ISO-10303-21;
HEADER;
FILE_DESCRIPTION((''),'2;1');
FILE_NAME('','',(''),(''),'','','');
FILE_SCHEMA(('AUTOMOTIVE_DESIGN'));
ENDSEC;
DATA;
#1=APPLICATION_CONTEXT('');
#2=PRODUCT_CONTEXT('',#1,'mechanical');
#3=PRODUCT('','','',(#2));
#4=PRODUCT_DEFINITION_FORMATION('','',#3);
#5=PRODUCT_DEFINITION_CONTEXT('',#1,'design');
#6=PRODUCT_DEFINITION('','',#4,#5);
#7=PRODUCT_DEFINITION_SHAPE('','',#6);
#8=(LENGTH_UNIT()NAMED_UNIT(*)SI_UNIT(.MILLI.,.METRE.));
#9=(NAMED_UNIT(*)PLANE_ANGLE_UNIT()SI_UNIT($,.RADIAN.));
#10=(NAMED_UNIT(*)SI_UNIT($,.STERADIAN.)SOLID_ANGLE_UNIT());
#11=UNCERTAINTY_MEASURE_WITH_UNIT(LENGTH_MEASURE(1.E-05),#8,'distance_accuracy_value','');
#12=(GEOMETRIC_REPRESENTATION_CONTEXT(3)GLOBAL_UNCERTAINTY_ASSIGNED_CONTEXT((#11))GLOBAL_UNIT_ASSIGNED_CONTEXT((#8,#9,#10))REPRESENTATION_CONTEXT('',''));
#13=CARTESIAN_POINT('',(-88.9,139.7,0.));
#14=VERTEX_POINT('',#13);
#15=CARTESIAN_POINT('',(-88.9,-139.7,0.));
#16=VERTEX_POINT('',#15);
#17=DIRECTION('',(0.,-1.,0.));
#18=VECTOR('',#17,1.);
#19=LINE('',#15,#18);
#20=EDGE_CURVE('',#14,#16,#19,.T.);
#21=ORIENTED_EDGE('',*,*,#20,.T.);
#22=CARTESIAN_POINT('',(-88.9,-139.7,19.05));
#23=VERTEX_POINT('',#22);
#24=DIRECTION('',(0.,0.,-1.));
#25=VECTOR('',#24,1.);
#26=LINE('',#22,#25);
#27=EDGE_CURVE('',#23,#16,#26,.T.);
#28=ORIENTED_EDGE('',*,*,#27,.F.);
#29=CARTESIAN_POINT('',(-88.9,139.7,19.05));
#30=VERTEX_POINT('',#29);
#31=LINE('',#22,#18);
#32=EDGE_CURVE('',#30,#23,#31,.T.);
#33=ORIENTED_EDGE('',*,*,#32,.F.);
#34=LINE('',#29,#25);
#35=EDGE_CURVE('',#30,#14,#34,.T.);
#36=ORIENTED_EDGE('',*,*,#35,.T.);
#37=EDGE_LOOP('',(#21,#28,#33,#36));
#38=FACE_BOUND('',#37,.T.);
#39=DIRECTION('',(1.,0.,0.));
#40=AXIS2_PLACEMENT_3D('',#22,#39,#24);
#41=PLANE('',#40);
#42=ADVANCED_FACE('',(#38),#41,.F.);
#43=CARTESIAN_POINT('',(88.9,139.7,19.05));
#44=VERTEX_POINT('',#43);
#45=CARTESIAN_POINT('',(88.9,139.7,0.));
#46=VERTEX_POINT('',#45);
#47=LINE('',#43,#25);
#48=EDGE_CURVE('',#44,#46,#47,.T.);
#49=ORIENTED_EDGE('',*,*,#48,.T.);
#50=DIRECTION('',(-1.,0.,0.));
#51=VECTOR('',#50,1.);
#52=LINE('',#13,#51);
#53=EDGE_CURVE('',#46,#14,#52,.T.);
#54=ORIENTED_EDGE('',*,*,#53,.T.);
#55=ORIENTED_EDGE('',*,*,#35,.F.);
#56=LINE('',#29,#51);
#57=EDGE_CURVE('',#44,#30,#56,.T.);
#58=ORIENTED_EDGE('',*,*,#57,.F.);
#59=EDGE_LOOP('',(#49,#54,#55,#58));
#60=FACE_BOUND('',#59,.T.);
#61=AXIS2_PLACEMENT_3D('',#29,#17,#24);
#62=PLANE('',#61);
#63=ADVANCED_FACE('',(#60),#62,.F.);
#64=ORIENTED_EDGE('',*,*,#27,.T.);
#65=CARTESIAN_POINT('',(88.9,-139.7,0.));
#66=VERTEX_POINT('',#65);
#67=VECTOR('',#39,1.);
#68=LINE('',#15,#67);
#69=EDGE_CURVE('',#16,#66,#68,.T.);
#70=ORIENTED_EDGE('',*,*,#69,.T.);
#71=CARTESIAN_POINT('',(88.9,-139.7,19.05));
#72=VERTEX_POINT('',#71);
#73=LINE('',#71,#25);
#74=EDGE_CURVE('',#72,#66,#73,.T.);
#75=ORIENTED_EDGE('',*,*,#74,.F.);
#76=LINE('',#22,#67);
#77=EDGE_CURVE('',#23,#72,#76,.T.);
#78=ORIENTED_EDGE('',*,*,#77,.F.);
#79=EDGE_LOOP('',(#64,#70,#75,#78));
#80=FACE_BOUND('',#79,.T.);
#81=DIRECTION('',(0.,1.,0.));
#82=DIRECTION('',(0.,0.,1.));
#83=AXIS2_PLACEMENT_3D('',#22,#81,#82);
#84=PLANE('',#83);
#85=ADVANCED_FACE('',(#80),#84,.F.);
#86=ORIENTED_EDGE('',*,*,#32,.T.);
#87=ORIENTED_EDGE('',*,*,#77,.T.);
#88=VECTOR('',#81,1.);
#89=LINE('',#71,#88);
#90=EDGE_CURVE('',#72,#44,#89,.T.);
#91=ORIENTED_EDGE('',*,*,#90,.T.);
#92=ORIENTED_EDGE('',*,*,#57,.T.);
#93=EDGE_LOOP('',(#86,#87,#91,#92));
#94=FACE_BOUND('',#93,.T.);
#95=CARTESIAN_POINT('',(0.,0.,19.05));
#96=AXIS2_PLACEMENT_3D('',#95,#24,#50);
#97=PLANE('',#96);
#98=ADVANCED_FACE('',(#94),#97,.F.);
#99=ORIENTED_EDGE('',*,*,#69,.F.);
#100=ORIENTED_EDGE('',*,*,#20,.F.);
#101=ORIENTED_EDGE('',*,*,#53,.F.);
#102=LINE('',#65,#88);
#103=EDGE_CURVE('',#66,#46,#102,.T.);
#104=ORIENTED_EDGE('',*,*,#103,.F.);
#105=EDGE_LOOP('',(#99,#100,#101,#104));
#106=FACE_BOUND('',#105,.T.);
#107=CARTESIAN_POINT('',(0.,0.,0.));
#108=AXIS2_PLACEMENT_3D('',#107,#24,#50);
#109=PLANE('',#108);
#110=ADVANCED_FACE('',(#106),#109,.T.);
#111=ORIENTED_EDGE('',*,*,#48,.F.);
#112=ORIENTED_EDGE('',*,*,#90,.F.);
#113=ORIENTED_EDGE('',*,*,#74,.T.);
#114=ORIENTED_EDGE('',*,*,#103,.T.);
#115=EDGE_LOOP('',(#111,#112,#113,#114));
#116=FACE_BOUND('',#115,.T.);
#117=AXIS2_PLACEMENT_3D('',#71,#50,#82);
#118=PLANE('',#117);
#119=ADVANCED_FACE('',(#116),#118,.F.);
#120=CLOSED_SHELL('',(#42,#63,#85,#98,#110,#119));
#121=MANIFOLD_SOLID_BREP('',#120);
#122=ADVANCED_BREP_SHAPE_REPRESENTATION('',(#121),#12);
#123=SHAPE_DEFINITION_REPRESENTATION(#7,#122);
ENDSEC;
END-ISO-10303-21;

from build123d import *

# Parameters (mm, degrees)
SKETCH1_W           = 177.8
SKETCH1_H           = 279.4
BOSS_EXTRUDE1_DEPTH = 19.05


with BuildPart() as part:
    # Sketch1 → Boss-Extrude1 (new body)
    with BuildSketch(Plane.XY):
        Rectangle(SKETCH1_W, SKETCH1_H)
    extrude(amount=BOSS_EXTRUDE1_DEPTH)


solid = part.part
